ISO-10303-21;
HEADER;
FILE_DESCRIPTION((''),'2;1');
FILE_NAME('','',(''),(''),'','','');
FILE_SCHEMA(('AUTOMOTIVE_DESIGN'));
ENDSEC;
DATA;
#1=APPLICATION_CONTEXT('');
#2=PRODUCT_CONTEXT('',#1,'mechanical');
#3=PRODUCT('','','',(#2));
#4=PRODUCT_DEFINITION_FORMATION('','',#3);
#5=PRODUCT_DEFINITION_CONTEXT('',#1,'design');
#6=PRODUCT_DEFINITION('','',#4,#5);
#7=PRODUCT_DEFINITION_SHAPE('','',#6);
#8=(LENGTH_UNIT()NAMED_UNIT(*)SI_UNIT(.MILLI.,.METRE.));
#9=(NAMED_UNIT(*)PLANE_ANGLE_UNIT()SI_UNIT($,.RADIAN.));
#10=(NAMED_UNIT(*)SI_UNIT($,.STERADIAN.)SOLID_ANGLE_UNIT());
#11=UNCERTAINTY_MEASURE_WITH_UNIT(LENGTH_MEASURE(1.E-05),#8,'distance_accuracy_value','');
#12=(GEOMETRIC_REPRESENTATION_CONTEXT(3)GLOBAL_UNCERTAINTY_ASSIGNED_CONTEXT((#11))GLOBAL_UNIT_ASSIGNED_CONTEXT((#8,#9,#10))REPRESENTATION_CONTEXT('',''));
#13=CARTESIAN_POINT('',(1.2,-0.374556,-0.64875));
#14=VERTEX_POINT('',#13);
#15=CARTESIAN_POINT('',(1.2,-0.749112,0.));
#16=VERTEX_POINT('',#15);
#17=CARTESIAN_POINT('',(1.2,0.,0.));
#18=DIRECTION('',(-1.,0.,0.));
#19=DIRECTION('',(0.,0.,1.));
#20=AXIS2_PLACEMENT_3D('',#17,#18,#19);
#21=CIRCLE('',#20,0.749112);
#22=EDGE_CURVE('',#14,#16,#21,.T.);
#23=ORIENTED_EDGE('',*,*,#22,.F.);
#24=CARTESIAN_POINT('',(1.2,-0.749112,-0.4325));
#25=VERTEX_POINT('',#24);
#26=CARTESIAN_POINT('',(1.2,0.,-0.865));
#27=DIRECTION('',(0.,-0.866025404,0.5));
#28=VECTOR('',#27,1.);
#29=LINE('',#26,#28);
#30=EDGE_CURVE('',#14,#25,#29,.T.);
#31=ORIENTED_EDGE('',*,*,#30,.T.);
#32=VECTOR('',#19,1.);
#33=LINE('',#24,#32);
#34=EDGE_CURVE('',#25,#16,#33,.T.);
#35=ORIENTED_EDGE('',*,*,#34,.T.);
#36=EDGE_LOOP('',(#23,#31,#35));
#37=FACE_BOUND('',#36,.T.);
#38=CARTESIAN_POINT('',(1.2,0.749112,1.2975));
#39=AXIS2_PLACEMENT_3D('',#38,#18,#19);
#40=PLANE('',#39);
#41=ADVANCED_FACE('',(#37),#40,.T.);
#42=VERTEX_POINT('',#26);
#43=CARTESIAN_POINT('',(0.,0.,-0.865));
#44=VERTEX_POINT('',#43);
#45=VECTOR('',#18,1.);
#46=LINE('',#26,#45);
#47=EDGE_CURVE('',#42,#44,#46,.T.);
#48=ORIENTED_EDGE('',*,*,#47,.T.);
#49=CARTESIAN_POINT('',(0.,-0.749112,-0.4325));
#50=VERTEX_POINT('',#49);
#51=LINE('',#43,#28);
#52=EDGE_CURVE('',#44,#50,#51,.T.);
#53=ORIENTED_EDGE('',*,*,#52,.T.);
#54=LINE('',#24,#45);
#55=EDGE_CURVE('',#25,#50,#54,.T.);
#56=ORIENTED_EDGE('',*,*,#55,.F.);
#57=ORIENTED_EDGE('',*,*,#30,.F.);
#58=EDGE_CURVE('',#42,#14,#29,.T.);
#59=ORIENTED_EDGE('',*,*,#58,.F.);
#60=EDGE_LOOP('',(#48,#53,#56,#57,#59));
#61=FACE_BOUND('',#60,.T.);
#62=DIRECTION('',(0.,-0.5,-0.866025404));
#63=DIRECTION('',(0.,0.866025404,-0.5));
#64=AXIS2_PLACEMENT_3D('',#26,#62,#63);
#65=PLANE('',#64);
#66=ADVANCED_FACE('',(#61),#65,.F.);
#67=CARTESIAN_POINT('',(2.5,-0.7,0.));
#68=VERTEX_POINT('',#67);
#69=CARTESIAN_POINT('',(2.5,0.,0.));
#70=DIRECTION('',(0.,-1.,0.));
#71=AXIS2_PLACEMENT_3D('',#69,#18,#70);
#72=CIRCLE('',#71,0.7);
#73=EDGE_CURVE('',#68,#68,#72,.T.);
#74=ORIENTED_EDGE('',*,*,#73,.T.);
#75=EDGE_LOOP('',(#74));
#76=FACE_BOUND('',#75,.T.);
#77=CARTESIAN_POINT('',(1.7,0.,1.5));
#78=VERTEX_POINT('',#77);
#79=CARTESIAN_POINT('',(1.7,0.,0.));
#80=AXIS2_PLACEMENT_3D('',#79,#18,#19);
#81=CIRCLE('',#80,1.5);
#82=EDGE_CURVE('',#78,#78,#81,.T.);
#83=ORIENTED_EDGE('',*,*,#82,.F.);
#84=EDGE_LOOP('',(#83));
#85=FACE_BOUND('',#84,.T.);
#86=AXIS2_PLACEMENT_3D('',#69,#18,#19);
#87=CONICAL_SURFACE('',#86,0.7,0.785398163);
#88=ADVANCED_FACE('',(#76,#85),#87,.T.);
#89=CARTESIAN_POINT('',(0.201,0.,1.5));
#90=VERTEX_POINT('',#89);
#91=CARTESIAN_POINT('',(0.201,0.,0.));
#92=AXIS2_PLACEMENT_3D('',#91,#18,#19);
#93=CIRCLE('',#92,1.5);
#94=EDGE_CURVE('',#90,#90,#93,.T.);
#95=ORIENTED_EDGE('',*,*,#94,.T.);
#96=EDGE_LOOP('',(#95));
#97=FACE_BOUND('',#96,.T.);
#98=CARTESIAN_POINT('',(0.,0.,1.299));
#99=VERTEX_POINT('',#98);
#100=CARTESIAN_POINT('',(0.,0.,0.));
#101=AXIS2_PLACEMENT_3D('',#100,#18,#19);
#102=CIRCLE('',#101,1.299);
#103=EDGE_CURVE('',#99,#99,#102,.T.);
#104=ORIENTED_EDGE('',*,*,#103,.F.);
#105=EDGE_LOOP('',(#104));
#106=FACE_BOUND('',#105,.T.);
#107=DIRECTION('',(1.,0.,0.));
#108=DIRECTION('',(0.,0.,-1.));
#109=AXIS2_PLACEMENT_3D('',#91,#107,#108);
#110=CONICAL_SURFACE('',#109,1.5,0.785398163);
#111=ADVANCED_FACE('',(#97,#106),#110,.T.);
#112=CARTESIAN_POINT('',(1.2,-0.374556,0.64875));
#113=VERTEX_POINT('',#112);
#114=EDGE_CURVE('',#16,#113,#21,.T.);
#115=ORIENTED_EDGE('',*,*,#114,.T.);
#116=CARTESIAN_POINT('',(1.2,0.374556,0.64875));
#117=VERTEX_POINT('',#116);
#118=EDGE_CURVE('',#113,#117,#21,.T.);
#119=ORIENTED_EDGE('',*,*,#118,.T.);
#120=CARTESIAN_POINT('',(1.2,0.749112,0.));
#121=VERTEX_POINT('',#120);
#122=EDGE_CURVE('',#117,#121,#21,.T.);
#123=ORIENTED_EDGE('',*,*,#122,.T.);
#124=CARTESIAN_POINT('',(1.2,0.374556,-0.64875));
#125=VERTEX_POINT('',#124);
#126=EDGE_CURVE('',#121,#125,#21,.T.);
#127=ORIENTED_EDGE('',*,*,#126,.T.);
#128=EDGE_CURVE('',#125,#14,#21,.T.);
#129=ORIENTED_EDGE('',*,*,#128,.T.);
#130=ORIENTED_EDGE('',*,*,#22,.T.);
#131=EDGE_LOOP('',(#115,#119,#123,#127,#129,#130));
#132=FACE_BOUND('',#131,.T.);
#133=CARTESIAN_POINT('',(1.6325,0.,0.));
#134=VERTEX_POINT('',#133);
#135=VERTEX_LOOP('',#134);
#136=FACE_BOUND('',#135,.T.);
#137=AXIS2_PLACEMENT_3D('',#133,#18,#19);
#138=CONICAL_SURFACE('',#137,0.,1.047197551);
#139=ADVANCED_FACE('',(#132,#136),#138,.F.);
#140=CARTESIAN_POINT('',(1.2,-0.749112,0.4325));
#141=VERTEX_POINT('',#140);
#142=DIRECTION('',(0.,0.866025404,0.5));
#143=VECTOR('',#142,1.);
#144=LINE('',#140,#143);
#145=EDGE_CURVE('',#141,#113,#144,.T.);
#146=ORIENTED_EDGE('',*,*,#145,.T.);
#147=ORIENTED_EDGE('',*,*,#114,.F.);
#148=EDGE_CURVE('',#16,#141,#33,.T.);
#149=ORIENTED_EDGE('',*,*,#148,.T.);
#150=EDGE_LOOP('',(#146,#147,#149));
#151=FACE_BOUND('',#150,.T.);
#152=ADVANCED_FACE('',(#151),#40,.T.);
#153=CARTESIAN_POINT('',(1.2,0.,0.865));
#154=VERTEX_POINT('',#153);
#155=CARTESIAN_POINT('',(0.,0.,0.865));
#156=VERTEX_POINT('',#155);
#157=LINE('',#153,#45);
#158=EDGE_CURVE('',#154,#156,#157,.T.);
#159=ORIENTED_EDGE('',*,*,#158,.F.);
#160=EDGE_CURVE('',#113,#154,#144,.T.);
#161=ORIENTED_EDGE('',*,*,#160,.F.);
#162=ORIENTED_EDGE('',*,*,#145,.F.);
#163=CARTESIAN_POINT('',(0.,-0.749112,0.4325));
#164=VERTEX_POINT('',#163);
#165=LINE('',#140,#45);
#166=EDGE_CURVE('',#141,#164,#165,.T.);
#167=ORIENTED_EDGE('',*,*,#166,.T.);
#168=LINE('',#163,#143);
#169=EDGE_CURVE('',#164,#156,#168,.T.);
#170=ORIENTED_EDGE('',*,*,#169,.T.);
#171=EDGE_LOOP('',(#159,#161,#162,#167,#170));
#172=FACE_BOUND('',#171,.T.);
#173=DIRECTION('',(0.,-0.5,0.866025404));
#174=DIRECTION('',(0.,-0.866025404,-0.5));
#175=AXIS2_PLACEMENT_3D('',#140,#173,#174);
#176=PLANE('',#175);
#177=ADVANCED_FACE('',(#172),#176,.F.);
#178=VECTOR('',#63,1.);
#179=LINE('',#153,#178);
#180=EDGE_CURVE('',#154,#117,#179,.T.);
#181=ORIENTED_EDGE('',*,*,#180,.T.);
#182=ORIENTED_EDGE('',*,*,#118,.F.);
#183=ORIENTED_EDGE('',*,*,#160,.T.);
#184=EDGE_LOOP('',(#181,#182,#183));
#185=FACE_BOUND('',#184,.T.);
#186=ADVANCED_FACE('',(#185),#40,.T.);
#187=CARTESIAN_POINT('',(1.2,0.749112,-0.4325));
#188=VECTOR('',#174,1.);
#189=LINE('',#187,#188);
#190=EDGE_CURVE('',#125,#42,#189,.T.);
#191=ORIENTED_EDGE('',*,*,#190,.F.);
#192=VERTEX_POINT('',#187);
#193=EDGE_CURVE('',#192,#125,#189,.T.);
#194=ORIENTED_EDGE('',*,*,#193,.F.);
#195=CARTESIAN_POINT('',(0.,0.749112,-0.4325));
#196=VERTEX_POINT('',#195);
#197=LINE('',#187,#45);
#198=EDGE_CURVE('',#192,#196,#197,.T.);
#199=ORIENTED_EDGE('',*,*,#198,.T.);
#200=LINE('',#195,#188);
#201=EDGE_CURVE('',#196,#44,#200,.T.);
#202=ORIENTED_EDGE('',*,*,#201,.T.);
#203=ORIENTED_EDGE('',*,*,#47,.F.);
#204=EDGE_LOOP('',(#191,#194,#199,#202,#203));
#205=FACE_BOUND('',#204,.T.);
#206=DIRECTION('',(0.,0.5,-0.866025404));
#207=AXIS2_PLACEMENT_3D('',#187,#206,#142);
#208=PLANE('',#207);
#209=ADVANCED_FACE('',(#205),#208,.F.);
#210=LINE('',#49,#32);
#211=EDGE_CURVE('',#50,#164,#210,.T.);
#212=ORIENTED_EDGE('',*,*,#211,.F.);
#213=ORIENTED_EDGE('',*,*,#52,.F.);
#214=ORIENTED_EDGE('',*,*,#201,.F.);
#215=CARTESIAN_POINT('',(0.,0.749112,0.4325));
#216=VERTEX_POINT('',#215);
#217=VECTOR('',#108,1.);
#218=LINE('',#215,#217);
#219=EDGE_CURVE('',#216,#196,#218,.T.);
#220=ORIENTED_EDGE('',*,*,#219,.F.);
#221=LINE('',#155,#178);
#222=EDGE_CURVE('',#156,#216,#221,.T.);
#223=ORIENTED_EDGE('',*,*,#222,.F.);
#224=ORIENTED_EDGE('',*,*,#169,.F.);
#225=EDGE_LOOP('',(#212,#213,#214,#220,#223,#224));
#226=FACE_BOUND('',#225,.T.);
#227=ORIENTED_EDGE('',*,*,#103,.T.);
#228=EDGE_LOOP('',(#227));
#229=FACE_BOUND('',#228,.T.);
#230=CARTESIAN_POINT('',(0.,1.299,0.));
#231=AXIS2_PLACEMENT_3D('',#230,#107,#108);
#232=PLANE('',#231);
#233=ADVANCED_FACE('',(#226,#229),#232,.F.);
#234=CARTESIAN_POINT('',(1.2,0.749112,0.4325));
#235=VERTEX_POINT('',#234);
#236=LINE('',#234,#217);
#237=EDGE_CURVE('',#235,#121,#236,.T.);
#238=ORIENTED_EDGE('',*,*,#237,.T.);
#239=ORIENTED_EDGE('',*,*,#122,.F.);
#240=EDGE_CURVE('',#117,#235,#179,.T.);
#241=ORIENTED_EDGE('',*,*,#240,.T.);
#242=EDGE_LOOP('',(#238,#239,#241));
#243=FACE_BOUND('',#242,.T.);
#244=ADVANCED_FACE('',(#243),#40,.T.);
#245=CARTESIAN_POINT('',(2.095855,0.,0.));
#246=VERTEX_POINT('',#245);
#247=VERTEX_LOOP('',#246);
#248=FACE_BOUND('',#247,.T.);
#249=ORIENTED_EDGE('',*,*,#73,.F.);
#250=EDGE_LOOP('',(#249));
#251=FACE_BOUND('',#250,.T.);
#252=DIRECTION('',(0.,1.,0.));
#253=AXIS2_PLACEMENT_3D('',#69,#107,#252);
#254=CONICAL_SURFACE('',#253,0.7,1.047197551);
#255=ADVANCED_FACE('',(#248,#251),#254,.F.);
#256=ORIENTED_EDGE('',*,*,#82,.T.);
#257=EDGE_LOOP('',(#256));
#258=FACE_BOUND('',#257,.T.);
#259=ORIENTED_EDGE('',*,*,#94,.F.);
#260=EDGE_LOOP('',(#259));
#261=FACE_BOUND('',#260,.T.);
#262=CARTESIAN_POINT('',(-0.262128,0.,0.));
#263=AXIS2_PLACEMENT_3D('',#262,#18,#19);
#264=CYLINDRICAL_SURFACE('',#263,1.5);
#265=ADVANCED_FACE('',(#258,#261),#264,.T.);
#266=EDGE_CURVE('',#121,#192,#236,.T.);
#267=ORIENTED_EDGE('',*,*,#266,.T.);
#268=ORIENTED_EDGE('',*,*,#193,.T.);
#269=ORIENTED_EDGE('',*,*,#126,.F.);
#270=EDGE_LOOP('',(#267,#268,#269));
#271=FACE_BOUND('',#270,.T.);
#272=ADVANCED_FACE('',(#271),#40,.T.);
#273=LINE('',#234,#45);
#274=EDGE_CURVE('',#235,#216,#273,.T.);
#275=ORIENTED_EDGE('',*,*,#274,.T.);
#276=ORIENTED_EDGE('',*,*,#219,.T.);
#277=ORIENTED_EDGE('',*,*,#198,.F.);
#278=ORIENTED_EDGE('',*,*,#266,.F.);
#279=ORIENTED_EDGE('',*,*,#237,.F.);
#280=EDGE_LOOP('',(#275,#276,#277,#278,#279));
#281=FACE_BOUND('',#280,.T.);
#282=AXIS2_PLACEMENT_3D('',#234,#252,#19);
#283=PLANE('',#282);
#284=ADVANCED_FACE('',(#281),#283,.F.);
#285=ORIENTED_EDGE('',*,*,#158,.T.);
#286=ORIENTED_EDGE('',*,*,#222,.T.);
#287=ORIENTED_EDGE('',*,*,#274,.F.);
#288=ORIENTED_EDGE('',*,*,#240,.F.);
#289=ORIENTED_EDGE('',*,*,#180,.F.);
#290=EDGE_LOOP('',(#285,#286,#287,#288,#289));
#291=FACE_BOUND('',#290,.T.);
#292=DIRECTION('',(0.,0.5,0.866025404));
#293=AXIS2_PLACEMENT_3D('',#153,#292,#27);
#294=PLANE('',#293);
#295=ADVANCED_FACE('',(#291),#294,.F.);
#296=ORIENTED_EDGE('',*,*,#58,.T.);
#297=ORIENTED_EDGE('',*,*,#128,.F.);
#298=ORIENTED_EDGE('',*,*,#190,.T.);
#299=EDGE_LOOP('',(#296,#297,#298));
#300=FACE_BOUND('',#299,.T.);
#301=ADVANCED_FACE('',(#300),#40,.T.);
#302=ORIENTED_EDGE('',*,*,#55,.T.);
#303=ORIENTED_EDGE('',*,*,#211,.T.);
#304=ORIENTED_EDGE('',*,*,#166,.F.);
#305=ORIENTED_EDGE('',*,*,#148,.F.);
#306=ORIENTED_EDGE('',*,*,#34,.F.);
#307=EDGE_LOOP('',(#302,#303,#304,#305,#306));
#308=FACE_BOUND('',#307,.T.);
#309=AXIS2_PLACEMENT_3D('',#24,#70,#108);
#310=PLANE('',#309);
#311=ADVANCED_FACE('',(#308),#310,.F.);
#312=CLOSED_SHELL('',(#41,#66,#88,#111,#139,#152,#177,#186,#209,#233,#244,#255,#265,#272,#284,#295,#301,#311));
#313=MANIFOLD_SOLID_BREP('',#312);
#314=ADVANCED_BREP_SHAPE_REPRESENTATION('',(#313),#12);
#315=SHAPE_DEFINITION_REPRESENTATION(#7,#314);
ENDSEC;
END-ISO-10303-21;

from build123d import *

# Parameters (mm, degrees)
CUT_EXTRUDE_1_DEPTH = 1.2


with BuildPart() as part:
    # 草图2 → Revolve 588 (revolve)
    with BuildSketch(Plane.XY, mode=Mode.PRIVATE) as revolve_588_sk:
        Polygon((0, 0), (2.5, 0), (2.5, 0.7), (1.7, 1.5), (0.201, 1.5), (0, 1.299), align=None)
    revolve(revolve_588_sk.sketch.rotate(Axis((-0.262128326, 0, 0), (1, 0, 0)), 90), axis=Axis((-0.262128326, 0, 0), (1, 0, 0)))

    # 草图3 → 切除-拉伸1 (cut)
    with BuildSketch(Plane.ZY):
        Polygon((0.865, 0), (0.4325, 0.749111974), (-0.4325, 0.749111974), (-0.865, 0), (-0.4325, -0.749111974), (0.4325, -0.749111974), align=None)
    extrude(amount=-CUT_EXTRUDE_1_DEPTH, mode=Mode.SUBTRACT)

    # 草图4 → 切除-旋转1 (revolve, cut)
    with BuildSketch(Plane.XY, mode=Mode.PRIVATE) as cut_revolve_1_sk:
        Polygon((1.2, 0.749111974), (1.6325, 0), (1.2, 0), align=None)
    revolve(cut_revolve_1_sk.sketch.rotate(Axis((-0.121283255, 0, 0), (1, 0, 0)), 90), axis=Axis((-0.121283255, 0, 0), (1, 0, 0)), mode=Mode.SUBTRACT)

    # 草图6 → 切除-旋转2 (revolve, cut)
    with BuildSketch(Plane.XY):
        Polygon((2.5, 0), (2.5, 0.7), (2.095854812, 0), align=None)
    revolve(axis=Axis((-1.727695698, 0, 0), (1, 0, 0)), mode=Mode.SUBTRACT)


solid = part.part
